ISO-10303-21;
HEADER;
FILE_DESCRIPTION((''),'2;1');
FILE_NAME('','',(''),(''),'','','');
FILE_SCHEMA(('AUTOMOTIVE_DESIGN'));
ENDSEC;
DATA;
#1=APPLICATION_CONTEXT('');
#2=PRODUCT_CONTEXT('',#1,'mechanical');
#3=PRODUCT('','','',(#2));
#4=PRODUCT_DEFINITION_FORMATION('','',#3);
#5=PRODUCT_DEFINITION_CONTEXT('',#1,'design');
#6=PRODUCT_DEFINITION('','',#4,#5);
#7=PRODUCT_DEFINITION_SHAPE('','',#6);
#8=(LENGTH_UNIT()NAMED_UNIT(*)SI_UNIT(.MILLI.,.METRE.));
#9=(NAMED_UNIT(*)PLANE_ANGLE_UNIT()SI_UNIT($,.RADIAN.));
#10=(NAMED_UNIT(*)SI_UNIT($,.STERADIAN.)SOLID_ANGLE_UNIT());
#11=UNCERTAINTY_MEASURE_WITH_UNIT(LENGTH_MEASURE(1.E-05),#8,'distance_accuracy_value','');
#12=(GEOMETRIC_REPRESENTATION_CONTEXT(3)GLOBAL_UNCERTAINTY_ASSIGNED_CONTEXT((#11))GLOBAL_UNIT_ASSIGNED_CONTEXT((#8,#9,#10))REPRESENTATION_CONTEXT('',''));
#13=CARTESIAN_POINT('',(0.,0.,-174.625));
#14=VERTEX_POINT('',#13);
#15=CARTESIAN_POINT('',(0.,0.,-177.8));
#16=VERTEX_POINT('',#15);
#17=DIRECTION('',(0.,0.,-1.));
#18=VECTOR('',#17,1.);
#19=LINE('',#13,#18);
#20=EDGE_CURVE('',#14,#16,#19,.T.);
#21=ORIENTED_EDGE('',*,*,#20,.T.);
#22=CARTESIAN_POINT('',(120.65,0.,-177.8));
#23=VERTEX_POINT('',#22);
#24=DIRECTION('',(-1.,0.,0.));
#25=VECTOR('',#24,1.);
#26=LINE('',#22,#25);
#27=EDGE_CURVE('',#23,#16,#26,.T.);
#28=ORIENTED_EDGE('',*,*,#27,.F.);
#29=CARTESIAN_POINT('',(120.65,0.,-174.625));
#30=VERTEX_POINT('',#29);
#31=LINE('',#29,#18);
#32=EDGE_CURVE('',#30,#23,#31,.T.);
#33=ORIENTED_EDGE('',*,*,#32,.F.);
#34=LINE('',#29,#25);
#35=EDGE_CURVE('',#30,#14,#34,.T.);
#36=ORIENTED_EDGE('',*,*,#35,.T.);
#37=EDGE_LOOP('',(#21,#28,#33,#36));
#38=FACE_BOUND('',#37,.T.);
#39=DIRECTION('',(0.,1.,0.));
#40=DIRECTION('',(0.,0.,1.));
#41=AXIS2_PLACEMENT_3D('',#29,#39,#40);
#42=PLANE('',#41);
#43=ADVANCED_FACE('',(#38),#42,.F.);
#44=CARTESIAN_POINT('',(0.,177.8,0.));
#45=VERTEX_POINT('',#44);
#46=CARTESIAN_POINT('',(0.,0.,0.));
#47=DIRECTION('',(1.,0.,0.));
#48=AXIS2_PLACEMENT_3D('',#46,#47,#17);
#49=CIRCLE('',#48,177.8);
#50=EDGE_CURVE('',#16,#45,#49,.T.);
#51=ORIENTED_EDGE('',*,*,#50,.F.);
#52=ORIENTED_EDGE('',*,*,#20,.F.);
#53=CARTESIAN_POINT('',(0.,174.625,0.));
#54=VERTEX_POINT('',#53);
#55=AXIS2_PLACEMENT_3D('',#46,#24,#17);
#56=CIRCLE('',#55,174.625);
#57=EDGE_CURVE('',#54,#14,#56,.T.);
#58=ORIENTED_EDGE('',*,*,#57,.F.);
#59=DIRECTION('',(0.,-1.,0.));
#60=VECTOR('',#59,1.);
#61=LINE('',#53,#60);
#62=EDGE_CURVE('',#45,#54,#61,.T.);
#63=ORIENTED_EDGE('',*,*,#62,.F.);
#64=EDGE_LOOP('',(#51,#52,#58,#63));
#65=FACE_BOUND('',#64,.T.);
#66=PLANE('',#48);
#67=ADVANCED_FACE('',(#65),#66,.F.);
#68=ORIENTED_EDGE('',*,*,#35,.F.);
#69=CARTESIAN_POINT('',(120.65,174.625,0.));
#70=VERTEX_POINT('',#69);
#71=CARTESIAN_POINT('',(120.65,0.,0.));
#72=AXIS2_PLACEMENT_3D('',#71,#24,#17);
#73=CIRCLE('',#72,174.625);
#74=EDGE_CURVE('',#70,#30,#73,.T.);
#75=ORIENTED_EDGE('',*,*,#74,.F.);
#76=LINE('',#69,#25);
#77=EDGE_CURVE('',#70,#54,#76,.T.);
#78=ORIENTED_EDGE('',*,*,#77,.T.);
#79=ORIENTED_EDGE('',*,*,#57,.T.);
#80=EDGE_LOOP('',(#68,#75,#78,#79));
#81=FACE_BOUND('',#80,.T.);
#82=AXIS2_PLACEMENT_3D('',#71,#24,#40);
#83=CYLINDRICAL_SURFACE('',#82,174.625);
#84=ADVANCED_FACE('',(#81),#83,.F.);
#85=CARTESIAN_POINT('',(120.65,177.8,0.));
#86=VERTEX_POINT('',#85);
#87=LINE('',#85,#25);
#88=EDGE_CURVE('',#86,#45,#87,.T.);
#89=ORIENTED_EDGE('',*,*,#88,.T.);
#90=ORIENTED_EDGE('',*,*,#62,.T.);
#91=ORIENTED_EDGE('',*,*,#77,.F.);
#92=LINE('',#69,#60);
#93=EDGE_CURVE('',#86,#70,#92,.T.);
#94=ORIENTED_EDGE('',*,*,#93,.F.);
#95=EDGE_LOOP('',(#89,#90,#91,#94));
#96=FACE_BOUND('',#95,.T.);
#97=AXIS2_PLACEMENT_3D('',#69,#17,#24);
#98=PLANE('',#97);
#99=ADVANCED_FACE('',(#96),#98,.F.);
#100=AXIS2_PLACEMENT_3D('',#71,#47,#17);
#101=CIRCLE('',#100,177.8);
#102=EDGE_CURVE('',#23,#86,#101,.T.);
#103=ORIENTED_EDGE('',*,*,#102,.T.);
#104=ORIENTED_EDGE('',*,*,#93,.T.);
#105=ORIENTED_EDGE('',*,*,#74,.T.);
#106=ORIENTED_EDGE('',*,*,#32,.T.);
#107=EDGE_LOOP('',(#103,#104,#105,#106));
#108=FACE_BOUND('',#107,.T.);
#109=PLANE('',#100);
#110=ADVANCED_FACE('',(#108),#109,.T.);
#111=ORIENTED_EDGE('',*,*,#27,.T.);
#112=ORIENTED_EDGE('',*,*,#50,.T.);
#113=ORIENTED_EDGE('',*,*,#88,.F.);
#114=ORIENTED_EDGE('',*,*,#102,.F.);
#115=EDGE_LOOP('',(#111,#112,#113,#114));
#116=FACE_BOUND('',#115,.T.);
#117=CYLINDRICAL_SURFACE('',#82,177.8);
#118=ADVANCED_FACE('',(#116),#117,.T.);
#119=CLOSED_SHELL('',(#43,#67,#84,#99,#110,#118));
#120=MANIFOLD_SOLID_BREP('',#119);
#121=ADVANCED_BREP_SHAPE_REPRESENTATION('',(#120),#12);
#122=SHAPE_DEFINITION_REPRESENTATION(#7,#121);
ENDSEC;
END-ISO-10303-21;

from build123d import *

# Parameters (mm, degrees)
BOSS_EXTRUDE1_DEPTH = 120.65


with BuildPart() as part:
    # Sketch1 → Boss-Extrude1 (new body)
    with BuildSketch(Plane(origin=(0, 0, 0), x_dir=(0, 0, -1), z_dir=(1, 0, 0))):
        with BuildLine():
            Line((0, 174.625), (0, 177.8))
            ThreePointArc((0, 177.8), (125.723585695, 125.723585695), (177.8, 0))
            Line((177.8, 0), (174.625, 0))
            ThreePointArc((174.625, 0), (123.478521665, 123.478521665), (0, 174.625))
        make_face()
    extrude(amount=BOSS_EXTRUDE1_DEPTH)


solid = part.part
